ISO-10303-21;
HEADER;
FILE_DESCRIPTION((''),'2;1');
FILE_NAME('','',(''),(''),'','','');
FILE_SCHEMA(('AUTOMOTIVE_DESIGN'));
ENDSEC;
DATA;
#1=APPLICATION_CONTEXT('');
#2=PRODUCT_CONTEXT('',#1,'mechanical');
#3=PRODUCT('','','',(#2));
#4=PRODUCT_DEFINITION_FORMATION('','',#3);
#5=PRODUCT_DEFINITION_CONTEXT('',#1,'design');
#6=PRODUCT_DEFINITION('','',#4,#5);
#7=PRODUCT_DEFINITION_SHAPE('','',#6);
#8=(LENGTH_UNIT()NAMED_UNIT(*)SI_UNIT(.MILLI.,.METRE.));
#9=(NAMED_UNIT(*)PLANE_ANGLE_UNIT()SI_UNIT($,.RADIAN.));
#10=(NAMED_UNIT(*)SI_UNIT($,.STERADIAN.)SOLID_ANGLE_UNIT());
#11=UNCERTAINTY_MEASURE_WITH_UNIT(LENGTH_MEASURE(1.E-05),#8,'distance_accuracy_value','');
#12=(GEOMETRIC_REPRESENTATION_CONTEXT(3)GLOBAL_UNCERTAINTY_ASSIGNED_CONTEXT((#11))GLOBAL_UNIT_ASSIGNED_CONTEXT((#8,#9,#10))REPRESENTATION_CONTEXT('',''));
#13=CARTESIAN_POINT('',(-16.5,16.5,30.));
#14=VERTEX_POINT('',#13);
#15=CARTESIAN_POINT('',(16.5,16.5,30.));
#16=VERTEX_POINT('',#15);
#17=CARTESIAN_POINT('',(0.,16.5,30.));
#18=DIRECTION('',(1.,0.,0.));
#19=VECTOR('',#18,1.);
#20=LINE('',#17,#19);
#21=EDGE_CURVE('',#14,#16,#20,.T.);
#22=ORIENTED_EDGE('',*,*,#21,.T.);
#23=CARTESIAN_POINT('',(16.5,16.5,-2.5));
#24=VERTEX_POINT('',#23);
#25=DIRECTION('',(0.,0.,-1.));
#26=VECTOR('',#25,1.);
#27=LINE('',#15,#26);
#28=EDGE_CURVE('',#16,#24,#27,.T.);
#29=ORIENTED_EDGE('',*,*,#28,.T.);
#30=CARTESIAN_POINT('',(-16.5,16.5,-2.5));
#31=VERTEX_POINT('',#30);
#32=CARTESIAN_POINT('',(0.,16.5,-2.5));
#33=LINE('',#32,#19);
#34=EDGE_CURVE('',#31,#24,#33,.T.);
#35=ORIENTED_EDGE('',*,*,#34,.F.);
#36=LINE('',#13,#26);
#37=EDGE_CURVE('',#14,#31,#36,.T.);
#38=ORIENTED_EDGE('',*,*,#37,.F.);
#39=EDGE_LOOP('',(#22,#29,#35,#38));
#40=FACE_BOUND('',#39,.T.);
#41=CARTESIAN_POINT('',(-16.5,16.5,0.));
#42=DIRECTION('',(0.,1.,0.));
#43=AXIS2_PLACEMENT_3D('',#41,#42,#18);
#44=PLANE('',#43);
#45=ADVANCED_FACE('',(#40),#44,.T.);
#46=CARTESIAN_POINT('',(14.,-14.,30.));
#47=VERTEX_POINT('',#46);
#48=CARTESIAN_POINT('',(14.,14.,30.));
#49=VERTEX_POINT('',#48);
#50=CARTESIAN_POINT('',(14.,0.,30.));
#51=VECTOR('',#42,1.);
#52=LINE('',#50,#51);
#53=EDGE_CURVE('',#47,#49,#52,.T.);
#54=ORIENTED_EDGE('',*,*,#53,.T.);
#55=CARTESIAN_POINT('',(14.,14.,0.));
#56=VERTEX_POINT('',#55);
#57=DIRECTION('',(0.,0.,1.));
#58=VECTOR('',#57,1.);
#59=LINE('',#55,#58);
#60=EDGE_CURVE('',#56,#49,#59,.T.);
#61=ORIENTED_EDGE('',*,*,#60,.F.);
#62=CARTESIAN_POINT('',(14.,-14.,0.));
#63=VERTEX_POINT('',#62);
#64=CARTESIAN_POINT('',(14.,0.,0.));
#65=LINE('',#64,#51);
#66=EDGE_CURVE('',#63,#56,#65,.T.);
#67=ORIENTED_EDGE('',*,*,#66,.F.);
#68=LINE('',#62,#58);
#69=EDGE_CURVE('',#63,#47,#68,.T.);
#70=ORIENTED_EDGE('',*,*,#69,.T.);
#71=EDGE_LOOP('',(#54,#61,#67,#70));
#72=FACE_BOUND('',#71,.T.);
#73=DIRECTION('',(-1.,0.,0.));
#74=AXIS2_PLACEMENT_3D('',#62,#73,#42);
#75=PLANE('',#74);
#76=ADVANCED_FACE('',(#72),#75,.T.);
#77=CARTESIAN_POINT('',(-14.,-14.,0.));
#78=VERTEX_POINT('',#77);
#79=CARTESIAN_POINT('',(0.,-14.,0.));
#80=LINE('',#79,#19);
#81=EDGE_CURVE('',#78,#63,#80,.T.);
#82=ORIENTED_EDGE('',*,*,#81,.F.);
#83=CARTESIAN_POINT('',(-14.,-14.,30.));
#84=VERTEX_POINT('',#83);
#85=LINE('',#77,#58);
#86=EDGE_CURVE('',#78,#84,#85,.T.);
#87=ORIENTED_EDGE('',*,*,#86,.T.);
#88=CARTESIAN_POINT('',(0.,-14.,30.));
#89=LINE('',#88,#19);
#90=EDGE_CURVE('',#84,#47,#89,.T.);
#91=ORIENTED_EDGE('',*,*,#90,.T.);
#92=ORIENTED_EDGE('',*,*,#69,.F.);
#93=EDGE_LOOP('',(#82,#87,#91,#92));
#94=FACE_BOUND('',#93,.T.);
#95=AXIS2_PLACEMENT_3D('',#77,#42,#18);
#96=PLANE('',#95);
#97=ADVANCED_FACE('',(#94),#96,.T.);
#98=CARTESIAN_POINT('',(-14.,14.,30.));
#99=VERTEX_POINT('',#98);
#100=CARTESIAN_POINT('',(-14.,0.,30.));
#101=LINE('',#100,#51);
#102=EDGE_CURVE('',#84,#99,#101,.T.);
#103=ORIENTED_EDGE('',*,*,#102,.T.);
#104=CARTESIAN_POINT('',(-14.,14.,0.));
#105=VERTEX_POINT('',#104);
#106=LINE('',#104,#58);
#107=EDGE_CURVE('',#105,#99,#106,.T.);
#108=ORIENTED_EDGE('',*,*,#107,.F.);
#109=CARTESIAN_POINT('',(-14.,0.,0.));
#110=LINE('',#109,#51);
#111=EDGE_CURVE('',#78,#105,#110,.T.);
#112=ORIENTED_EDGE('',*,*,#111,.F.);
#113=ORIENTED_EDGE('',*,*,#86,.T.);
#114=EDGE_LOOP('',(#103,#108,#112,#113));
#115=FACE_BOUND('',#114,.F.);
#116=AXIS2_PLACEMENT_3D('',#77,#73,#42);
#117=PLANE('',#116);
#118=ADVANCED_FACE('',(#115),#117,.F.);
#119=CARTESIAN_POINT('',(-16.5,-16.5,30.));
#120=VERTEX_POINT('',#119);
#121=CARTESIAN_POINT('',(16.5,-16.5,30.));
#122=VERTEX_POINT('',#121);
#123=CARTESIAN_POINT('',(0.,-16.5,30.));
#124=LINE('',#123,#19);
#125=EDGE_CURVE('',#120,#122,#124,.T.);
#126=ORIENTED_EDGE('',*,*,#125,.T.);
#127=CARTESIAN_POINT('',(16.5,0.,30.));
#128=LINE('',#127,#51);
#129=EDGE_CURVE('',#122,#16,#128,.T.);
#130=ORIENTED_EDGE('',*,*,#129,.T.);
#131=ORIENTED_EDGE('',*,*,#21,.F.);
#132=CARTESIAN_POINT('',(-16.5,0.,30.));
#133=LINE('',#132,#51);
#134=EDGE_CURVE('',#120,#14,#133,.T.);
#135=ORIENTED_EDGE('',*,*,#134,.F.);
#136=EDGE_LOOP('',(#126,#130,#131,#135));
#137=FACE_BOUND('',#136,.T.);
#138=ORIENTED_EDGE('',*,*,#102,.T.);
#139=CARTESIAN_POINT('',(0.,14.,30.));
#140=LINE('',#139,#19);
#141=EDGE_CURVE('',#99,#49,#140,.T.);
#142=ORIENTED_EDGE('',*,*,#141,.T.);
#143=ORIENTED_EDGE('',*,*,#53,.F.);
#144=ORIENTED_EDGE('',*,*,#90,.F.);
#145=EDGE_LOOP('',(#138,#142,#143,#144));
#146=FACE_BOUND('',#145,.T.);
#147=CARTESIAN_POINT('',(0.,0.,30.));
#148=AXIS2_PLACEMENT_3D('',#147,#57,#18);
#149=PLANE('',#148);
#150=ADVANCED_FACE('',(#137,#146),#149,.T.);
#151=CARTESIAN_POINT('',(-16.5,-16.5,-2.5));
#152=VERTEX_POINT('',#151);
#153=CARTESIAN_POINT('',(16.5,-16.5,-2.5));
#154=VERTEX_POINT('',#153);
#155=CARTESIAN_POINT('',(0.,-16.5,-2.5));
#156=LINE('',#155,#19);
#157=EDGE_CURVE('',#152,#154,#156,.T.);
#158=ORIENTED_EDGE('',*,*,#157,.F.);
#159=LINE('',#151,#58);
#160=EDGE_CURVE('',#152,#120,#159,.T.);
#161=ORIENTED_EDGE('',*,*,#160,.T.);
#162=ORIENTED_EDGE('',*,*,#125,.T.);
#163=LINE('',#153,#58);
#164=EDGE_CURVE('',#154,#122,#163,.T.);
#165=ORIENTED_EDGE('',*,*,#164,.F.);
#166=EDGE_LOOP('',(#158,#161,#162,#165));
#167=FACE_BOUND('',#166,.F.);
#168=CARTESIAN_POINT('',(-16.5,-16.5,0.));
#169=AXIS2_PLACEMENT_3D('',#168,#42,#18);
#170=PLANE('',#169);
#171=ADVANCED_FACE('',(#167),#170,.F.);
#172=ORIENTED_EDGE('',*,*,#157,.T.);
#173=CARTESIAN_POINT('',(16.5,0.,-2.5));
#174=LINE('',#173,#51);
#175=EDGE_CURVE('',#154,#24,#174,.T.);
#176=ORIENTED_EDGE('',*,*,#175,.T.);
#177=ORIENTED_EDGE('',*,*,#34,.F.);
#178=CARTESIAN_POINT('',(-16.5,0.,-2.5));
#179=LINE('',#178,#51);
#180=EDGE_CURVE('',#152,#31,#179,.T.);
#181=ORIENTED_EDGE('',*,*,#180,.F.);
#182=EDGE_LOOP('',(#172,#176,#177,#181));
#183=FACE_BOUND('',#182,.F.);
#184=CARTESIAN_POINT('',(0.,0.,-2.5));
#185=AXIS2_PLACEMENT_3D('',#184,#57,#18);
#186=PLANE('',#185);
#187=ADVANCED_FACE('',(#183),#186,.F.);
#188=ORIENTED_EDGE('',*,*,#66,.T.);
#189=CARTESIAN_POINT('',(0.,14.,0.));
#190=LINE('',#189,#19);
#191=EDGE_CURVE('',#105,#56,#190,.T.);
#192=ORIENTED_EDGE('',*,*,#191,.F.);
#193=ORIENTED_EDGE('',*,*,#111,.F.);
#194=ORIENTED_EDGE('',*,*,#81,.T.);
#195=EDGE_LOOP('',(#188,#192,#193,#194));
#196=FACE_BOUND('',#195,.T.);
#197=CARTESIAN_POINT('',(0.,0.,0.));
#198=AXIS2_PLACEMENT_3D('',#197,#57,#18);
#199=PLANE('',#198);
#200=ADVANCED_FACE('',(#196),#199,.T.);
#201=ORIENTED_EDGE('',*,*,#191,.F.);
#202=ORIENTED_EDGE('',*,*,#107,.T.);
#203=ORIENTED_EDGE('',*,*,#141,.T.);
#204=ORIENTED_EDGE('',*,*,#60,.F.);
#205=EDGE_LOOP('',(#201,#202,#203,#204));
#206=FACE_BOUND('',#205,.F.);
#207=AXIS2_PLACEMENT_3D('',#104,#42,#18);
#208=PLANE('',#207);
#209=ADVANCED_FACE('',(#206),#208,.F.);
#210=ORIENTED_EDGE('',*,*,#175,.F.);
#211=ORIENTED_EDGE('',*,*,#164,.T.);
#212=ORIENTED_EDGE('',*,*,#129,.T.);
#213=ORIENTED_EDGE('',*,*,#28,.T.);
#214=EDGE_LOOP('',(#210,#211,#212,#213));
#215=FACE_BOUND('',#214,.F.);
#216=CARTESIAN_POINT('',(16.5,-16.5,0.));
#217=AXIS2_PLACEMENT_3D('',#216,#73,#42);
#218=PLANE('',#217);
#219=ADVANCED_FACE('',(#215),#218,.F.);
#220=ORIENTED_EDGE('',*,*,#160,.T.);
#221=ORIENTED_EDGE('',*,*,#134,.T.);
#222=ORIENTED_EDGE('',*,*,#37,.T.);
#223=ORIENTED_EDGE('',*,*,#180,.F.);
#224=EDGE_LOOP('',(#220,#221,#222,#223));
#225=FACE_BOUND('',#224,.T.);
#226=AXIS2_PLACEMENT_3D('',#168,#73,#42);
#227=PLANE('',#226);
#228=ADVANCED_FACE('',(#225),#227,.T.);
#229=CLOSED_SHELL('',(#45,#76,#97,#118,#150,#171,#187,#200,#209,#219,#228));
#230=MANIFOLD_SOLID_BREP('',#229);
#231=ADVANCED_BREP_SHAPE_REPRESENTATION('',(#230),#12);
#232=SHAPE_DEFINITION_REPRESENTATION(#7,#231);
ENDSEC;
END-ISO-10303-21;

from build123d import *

# Parameters (mm, degrees)
F0_W     = 33
F0_H     = 33
F0_W_2   = 28
F0_H_2   = 28
F1_DEPTH = 2.5
F2_DEPTH = 30


with BuildPart() as f1:
    # F0 (on Top) → F1 (new body)
    with BuildSketch(Plane.XY):
        Rectangle(F0_W, F0_H)
        Rectangle(F0_W_2, F0_H_2, mode=Mode.SUBTRACT)
        Rectangle(F0_W_2, F0_H_2)
    extrude(amount=-F1_DEPTH)

    # F0 (on Top) → F2 (join)
    with BuildSketch(Plane.XY):
        Rectangle(F0_W, F0_H)
        Rectangle(F0_W_2, F0_H_2, mode=Mode.SUBTRACT)
    extrude(amount=F2_DEPTH)


solid = f1.part
